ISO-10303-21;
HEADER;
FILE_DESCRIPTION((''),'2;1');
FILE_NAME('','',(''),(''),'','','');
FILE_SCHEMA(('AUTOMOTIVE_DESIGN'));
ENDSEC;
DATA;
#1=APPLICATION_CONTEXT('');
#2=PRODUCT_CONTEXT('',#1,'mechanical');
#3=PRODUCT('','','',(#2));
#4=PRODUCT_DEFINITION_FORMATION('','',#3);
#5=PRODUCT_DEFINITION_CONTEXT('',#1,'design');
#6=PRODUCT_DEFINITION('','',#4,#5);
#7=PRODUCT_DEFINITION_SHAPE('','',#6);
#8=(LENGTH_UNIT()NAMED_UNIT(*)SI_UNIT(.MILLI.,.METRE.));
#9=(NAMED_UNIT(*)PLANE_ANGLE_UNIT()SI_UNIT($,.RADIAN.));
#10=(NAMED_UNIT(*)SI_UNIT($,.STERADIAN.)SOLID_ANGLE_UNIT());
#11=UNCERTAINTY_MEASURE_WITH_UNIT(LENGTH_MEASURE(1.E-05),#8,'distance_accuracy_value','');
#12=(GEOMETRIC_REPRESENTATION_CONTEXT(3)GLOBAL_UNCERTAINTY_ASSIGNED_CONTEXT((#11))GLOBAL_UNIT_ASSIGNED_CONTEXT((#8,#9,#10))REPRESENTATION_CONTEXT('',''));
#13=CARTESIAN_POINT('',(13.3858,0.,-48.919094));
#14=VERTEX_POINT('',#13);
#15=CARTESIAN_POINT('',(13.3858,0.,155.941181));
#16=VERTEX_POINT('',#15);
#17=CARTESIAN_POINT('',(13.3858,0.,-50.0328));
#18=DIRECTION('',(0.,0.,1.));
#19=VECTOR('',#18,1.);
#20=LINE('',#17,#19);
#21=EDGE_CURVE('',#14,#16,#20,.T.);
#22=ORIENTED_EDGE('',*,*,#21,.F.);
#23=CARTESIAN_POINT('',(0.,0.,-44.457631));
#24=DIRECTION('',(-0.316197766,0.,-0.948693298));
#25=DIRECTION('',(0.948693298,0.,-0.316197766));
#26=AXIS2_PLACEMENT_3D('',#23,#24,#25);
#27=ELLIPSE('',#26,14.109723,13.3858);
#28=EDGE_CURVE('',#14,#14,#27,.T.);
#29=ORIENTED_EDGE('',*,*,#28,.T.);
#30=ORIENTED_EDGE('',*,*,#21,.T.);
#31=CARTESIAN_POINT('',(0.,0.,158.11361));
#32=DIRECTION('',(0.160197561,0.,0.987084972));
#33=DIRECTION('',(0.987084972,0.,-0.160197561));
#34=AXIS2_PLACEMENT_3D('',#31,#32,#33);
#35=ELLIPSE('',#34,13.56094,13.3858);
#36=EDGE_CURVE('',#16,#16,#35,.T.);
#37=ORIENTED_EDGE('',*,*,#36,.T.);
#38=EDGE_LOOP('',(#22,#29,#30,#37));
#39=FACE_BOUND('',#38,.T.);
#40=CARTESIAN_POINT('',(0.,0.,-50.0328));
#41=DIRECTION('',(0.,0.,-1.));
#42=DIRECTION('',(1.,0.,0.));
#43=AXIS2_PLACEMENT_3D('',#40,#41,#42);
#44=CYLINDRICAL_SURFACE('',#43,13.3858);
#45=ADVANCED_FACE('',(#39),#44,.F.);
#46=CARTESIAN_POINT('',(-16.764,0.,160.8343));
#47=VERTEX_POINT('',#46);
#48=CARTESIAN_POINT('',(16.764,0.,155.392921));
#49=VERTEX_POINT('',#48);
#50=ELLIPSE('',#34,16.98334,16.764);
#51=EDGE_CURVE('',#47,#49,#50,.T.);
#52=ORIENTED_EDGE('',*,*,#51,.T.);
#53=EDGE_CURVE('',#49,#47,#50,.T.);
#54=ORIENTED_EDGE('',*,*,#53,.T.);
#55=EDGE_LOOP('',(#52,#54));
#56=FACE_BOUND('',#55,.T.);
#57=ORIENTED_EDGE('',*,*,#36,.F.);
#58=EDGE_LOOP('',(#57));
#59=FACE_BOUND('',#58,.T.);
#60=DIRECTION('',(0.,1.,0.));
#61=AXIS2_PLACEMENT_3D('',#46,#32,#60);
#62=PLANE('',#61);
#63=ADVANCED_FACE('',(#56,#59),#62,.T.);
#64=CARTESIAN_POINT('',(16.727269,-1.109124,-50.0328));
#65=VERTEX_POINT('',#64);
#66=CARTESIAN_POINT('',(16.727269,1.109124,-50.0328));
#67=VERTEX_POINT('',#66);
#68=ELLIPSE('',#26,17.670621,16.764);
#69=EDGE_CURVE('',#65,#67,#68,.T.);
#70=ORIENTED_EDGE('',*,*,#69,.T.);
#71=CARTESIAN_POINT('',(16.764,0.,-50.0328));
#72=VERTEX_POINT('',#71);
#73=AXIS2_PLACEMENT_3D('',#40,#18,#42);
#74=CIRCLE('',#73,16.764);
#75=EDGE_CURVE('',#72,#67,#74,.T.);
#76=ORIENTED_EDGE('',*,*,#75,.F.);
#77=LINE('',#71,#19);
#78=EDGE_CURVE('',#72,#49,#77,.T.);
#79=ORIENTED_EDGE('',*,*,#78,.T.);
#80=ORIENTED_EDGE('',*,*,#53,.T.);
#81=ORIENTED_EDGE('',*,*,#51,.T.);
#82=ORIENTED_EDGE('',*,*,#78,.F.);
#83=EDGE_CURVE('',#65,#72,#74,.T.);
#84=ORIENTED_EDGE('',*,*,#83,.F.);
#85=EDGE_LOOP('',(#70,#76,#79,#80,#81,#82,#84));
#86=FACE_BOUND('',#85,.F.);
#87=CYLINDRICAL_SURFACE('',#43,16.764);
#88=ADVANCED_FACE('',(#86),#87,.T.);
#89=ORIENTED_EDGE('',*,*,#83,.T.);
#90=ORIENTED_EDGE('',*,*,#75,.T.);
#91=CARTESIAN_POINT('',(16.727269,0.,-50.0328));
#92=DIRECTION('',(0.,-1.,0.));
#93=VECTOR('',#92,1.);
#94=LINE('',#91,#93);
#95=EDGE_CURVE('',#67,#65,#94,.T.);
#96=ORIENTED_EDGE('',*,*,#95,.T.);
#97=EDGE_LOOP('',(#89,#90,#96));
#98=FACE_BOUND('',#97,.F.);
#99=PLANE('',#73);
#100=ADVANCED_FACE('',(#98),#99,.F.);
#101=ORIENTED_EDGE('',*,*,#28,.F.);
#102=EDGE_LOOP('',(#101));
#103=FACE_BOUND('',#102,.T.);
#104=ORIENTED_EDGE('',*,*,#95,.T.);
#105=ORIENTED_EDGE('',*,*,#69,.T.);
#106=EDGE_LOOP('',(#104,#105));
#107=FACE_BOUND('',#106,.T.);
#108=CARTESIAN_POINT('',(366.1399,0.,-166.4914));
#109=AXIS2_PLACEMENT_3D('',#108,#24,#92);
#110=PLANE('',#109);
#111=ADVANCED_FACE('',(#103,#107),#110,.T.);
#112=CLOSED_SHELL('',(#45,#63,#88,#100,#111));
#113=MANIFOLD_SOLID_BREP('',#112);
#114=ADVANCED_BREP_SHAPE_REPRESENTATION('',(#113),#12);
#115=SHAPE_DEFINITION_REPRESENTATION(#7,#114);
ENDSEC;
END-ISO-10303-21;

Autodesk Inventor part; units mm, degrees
ref_plane "Start plane" through (0, 0, -50.0328) normal (0, 0, 1) x (1, 0, 0)
ref_plane "End plane" through (0, 0, 160.8343) normal (0, 0, 1) x (1, 0, 0)
sketch "Sketch" plane through (0, 0, 0) normal (0, 0, 1) x (1, 0, 0)
  circle A0 centre (0, 0) radius 13.3858
  circle A1 centre (0, 0) radius 16.764
  dimension "d0" = 33.528
  dimension "d1" = 3.3782
extrude "Body" add sketch "Sketch" along normal up to surface (210.8671 mm away) from surface at -50.0328
sketch "Sketch3" plane through (0, 0, 0) normal (0, 0, 1) x (1, 0, 0)
  line L0 (0, 0) -> (10, 0)
ref_plane "Work Plane3" through (0, 0, 0) normal (0, -1, 0) x (1, 0, 0)
ref_plane "Work Plane4" through (366.1399, 0, -166.4914) normal (-0.3162, 0, -0.9487) x (-0.9487, 0, 0.3162)
split "Split1" plane through (366.1399, 0, -166.4914) removes the side toward (-0.3162, 0, -0.9487)
ref_plane "Work Plane5" through (-16.764, 0, 160.8343) normal (0.1602, 0, 0.9871) x (0.9871, 0, -0.1602)
split "Split2" plane through (-16.764, 0, 160.8343) removes the side toward (0.1602, 0, 0.9871)
sketch "Sketch4" plane through (0, 0, 0) normal (0, -1, 0) x (1, 0, 0)
  line L0 (-2, -50.0328) -> (12, -50.0328) projected
  line L1 (-2, 160.8343) -> (12, 160.8343) projected
  dimension "d7" = 210.8671
equation "\"d0\" = G_H"
equation "\"d1\" = G_T"
equation "\"d2\" = G_L"
equation "\"G_H\" = 33.528"
equation "\"G_T\" = 3.3782"
equation "\"G_L\" = d7"
equation "\"G_OFFSET_START\" = 50.03276"
equation "\"G_OFFSET_END\" = 2.72042"
equation "\"d4\" = -G_OFFSET_START"
equation "\"d5\" = G_OFFSET_END + B_L"
equation "\"B_L\" = 158.11388"
properties part number "ANSI - 1 x 0.133 - 8.302" material "Steel, Mild"
